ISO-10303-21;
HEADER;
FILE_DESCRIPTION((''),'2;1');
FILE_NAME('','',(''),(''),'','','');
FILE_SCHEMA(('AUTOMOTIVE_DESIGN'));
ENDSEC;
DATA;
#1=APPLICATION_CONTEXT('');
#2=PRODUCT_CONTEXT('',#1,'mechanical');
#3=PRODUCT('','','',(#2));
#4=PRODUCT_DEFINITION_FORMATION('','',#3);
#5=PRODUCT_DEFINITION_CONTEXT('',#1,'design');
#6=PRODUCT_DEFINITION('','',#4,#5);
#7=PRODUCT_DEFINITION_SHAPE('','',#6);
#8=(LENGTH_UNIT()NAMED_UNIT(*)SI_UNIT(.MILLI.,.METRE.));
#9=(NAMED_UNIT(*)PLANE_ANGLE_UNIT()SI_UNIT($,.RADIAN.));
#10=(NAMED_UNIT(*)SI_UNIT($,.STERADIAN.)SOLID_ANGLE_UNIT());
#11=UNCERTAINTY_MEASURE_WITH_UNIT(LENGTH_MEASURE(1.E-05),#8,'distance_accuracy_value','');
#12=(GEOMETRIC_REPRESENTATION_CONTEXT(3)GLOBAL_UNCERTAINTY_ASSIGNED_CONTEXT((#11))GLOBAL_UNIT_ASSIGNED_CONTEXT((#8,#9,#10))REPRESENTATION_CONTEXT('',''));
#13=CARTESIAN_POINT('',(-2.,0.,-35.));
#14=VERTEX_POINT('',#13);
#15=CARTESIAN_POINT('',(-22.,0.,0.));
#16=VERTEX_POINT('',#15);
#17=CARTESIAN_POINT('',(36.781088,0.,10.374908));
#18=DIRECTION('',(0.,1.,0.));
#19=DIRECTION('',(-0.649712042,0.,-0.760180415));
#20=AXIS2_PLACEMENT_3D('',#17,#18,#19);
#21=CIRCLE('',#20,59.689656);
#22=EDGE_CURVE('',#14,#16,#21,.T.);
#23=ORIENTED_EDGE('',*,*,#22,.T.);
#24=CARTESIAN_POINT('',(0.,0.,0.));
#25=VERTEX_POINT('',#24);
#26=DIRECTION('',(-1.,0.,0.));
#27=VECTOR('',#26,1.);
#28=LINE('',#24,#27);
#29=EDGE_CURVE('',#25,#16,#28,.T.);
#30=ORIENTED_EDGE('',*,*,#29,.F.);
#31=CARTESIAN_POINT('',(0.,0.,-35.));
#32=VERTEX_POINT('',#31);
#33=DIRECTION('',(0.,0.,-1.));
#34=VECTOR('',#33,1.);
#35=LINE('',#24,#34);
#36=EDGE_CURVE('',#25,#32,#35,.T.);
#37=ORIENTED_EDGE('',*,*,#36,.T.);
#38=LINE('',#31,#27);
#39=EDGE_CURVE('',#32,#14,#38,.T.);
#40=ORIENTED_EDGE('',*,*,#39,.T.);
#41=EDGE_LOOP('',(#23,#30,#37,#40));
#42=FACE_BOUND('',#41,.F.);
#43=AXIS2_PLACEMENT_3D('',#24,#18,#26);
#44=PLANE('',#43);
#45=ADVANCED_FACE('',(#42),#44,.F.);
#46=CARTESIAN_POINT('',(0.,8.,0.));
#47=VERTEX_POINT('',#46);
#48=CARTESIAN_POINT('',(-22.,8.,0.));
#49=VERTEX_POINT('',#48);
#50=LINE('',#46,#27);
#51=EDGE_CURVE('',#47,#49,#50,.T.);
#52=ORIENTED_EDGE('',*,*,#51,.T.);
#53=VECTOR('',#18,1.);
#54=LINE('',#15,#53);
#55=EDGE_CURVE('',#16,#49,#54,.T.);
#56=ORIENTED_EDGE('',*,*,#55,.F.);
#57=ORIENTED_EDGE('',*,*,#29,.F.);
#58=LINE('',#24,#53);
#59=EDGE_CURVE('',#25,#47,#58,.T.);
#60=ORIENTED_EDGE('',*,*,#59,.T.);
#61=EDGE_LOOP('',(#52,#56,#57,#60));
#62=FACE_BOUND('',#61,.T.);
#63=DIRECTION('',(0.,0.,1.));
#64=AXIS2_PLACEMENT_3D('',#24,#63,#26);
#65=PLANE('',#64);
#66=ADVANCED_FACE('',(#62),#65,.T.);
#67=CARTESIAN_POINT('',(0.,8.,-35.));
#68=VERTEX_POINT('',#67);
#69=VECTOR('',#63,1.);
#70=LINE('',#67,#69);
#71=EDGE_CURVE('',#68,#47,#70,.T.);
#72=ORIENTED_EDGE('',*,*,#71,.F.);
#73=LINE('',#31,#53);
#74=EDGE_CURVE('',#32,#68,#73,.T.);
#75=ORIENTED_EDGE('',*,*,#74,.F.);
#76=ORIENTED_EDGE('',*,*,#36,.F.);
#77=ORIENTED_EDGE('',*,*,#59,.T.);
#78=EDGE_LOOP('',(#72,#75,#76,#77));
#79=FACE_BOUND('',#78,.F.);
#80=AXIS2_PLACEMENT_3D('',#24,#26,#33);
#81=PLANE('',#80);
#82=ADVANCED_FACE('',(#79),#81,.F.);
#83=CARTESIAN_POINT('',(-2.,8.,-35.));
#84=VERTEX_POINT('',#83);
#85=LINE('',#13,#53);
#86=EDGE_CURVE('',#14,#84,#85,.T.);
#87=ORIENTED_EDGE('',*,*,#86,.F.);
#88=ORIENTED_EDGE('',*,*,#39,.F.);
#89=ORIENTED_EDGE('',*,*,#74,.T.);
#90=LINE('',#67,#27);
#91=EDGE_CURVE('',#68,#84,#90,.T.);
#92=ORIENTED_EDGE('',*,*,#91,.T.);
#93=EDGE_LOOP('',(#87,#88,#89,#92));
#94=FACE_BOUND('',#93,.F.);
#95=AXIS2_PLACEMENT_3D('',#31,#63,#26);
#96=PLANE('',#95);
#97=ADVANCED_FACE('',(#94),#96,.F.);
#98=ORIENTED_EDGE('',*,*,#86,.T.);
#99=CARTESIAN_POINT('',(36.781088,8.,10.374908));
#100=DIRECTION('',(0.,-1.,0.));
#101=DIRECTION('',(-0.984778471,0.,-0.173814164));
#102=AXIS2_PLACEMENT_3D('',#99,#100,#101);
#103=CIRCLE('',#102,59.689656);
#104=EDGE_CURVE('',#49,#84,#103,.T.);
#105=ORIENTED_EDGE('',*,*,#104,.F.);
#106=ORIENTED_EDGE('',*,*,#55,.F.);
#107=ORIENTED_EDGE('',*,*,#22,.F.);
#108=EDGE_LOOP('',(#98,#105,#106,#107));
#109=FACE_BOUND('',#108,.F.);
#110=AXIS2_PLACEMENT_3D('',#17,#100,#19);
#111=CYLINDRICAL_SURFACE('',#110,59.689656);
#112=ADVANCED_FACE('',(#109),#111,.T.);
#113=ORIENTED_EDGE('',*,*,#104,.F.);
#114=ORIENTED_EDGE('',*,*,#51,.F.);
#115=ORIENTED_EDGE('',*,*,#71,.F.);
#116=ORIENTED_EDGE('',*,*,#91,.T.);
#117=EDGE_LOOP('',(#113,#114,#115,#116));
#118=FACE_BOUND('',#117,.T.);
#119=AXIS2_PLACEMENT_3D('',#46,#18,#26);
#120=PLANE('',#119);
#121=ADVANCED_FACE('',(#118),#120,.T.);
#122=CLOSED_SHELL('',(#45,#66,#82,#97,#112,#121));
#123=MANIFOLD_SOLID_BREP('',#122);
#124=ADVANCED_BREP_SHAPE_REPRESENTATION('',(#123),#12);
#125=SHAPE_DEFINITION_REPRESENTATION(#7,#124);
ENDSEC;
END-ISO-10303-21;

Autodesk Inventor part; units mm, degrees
ref_plane "YZ Plane" through (0, 0, 0) normal (1, 0, 0) x (0, 1, 0)
ref_plane "XZ Plane" through (0, 0, 0) normal (0, 1, 0) x (-1, 0, 0)
ref_plane "XY Plane" through (0, 0, 0) normal (0, 0, 1) x (1, 0, 0)
sketch "Sketch1" plane through (0, 0, 0) normal (0, 1, 0) x (-1, 0, 0)
  line L0 (0, 0) -> (0, -35)
  line L1 (0, 0) -> (22, 0)
  line L2 (0, -35) -> (2, -35)
  line L3 (0, -17.5) -> (16, -17.5)
  arc A0 (2, -35) -> (22, 0) centre (-36.7812, 10.375) ccw
  dimension "d0" = 35
  dimension "d1" = 22
  dimension "d2" = 2
  dimension "d3" = 16
extrude "Extrusion1" add sketch "Sketch1" along normal blind 8
properties part number "FP Cockpit"
